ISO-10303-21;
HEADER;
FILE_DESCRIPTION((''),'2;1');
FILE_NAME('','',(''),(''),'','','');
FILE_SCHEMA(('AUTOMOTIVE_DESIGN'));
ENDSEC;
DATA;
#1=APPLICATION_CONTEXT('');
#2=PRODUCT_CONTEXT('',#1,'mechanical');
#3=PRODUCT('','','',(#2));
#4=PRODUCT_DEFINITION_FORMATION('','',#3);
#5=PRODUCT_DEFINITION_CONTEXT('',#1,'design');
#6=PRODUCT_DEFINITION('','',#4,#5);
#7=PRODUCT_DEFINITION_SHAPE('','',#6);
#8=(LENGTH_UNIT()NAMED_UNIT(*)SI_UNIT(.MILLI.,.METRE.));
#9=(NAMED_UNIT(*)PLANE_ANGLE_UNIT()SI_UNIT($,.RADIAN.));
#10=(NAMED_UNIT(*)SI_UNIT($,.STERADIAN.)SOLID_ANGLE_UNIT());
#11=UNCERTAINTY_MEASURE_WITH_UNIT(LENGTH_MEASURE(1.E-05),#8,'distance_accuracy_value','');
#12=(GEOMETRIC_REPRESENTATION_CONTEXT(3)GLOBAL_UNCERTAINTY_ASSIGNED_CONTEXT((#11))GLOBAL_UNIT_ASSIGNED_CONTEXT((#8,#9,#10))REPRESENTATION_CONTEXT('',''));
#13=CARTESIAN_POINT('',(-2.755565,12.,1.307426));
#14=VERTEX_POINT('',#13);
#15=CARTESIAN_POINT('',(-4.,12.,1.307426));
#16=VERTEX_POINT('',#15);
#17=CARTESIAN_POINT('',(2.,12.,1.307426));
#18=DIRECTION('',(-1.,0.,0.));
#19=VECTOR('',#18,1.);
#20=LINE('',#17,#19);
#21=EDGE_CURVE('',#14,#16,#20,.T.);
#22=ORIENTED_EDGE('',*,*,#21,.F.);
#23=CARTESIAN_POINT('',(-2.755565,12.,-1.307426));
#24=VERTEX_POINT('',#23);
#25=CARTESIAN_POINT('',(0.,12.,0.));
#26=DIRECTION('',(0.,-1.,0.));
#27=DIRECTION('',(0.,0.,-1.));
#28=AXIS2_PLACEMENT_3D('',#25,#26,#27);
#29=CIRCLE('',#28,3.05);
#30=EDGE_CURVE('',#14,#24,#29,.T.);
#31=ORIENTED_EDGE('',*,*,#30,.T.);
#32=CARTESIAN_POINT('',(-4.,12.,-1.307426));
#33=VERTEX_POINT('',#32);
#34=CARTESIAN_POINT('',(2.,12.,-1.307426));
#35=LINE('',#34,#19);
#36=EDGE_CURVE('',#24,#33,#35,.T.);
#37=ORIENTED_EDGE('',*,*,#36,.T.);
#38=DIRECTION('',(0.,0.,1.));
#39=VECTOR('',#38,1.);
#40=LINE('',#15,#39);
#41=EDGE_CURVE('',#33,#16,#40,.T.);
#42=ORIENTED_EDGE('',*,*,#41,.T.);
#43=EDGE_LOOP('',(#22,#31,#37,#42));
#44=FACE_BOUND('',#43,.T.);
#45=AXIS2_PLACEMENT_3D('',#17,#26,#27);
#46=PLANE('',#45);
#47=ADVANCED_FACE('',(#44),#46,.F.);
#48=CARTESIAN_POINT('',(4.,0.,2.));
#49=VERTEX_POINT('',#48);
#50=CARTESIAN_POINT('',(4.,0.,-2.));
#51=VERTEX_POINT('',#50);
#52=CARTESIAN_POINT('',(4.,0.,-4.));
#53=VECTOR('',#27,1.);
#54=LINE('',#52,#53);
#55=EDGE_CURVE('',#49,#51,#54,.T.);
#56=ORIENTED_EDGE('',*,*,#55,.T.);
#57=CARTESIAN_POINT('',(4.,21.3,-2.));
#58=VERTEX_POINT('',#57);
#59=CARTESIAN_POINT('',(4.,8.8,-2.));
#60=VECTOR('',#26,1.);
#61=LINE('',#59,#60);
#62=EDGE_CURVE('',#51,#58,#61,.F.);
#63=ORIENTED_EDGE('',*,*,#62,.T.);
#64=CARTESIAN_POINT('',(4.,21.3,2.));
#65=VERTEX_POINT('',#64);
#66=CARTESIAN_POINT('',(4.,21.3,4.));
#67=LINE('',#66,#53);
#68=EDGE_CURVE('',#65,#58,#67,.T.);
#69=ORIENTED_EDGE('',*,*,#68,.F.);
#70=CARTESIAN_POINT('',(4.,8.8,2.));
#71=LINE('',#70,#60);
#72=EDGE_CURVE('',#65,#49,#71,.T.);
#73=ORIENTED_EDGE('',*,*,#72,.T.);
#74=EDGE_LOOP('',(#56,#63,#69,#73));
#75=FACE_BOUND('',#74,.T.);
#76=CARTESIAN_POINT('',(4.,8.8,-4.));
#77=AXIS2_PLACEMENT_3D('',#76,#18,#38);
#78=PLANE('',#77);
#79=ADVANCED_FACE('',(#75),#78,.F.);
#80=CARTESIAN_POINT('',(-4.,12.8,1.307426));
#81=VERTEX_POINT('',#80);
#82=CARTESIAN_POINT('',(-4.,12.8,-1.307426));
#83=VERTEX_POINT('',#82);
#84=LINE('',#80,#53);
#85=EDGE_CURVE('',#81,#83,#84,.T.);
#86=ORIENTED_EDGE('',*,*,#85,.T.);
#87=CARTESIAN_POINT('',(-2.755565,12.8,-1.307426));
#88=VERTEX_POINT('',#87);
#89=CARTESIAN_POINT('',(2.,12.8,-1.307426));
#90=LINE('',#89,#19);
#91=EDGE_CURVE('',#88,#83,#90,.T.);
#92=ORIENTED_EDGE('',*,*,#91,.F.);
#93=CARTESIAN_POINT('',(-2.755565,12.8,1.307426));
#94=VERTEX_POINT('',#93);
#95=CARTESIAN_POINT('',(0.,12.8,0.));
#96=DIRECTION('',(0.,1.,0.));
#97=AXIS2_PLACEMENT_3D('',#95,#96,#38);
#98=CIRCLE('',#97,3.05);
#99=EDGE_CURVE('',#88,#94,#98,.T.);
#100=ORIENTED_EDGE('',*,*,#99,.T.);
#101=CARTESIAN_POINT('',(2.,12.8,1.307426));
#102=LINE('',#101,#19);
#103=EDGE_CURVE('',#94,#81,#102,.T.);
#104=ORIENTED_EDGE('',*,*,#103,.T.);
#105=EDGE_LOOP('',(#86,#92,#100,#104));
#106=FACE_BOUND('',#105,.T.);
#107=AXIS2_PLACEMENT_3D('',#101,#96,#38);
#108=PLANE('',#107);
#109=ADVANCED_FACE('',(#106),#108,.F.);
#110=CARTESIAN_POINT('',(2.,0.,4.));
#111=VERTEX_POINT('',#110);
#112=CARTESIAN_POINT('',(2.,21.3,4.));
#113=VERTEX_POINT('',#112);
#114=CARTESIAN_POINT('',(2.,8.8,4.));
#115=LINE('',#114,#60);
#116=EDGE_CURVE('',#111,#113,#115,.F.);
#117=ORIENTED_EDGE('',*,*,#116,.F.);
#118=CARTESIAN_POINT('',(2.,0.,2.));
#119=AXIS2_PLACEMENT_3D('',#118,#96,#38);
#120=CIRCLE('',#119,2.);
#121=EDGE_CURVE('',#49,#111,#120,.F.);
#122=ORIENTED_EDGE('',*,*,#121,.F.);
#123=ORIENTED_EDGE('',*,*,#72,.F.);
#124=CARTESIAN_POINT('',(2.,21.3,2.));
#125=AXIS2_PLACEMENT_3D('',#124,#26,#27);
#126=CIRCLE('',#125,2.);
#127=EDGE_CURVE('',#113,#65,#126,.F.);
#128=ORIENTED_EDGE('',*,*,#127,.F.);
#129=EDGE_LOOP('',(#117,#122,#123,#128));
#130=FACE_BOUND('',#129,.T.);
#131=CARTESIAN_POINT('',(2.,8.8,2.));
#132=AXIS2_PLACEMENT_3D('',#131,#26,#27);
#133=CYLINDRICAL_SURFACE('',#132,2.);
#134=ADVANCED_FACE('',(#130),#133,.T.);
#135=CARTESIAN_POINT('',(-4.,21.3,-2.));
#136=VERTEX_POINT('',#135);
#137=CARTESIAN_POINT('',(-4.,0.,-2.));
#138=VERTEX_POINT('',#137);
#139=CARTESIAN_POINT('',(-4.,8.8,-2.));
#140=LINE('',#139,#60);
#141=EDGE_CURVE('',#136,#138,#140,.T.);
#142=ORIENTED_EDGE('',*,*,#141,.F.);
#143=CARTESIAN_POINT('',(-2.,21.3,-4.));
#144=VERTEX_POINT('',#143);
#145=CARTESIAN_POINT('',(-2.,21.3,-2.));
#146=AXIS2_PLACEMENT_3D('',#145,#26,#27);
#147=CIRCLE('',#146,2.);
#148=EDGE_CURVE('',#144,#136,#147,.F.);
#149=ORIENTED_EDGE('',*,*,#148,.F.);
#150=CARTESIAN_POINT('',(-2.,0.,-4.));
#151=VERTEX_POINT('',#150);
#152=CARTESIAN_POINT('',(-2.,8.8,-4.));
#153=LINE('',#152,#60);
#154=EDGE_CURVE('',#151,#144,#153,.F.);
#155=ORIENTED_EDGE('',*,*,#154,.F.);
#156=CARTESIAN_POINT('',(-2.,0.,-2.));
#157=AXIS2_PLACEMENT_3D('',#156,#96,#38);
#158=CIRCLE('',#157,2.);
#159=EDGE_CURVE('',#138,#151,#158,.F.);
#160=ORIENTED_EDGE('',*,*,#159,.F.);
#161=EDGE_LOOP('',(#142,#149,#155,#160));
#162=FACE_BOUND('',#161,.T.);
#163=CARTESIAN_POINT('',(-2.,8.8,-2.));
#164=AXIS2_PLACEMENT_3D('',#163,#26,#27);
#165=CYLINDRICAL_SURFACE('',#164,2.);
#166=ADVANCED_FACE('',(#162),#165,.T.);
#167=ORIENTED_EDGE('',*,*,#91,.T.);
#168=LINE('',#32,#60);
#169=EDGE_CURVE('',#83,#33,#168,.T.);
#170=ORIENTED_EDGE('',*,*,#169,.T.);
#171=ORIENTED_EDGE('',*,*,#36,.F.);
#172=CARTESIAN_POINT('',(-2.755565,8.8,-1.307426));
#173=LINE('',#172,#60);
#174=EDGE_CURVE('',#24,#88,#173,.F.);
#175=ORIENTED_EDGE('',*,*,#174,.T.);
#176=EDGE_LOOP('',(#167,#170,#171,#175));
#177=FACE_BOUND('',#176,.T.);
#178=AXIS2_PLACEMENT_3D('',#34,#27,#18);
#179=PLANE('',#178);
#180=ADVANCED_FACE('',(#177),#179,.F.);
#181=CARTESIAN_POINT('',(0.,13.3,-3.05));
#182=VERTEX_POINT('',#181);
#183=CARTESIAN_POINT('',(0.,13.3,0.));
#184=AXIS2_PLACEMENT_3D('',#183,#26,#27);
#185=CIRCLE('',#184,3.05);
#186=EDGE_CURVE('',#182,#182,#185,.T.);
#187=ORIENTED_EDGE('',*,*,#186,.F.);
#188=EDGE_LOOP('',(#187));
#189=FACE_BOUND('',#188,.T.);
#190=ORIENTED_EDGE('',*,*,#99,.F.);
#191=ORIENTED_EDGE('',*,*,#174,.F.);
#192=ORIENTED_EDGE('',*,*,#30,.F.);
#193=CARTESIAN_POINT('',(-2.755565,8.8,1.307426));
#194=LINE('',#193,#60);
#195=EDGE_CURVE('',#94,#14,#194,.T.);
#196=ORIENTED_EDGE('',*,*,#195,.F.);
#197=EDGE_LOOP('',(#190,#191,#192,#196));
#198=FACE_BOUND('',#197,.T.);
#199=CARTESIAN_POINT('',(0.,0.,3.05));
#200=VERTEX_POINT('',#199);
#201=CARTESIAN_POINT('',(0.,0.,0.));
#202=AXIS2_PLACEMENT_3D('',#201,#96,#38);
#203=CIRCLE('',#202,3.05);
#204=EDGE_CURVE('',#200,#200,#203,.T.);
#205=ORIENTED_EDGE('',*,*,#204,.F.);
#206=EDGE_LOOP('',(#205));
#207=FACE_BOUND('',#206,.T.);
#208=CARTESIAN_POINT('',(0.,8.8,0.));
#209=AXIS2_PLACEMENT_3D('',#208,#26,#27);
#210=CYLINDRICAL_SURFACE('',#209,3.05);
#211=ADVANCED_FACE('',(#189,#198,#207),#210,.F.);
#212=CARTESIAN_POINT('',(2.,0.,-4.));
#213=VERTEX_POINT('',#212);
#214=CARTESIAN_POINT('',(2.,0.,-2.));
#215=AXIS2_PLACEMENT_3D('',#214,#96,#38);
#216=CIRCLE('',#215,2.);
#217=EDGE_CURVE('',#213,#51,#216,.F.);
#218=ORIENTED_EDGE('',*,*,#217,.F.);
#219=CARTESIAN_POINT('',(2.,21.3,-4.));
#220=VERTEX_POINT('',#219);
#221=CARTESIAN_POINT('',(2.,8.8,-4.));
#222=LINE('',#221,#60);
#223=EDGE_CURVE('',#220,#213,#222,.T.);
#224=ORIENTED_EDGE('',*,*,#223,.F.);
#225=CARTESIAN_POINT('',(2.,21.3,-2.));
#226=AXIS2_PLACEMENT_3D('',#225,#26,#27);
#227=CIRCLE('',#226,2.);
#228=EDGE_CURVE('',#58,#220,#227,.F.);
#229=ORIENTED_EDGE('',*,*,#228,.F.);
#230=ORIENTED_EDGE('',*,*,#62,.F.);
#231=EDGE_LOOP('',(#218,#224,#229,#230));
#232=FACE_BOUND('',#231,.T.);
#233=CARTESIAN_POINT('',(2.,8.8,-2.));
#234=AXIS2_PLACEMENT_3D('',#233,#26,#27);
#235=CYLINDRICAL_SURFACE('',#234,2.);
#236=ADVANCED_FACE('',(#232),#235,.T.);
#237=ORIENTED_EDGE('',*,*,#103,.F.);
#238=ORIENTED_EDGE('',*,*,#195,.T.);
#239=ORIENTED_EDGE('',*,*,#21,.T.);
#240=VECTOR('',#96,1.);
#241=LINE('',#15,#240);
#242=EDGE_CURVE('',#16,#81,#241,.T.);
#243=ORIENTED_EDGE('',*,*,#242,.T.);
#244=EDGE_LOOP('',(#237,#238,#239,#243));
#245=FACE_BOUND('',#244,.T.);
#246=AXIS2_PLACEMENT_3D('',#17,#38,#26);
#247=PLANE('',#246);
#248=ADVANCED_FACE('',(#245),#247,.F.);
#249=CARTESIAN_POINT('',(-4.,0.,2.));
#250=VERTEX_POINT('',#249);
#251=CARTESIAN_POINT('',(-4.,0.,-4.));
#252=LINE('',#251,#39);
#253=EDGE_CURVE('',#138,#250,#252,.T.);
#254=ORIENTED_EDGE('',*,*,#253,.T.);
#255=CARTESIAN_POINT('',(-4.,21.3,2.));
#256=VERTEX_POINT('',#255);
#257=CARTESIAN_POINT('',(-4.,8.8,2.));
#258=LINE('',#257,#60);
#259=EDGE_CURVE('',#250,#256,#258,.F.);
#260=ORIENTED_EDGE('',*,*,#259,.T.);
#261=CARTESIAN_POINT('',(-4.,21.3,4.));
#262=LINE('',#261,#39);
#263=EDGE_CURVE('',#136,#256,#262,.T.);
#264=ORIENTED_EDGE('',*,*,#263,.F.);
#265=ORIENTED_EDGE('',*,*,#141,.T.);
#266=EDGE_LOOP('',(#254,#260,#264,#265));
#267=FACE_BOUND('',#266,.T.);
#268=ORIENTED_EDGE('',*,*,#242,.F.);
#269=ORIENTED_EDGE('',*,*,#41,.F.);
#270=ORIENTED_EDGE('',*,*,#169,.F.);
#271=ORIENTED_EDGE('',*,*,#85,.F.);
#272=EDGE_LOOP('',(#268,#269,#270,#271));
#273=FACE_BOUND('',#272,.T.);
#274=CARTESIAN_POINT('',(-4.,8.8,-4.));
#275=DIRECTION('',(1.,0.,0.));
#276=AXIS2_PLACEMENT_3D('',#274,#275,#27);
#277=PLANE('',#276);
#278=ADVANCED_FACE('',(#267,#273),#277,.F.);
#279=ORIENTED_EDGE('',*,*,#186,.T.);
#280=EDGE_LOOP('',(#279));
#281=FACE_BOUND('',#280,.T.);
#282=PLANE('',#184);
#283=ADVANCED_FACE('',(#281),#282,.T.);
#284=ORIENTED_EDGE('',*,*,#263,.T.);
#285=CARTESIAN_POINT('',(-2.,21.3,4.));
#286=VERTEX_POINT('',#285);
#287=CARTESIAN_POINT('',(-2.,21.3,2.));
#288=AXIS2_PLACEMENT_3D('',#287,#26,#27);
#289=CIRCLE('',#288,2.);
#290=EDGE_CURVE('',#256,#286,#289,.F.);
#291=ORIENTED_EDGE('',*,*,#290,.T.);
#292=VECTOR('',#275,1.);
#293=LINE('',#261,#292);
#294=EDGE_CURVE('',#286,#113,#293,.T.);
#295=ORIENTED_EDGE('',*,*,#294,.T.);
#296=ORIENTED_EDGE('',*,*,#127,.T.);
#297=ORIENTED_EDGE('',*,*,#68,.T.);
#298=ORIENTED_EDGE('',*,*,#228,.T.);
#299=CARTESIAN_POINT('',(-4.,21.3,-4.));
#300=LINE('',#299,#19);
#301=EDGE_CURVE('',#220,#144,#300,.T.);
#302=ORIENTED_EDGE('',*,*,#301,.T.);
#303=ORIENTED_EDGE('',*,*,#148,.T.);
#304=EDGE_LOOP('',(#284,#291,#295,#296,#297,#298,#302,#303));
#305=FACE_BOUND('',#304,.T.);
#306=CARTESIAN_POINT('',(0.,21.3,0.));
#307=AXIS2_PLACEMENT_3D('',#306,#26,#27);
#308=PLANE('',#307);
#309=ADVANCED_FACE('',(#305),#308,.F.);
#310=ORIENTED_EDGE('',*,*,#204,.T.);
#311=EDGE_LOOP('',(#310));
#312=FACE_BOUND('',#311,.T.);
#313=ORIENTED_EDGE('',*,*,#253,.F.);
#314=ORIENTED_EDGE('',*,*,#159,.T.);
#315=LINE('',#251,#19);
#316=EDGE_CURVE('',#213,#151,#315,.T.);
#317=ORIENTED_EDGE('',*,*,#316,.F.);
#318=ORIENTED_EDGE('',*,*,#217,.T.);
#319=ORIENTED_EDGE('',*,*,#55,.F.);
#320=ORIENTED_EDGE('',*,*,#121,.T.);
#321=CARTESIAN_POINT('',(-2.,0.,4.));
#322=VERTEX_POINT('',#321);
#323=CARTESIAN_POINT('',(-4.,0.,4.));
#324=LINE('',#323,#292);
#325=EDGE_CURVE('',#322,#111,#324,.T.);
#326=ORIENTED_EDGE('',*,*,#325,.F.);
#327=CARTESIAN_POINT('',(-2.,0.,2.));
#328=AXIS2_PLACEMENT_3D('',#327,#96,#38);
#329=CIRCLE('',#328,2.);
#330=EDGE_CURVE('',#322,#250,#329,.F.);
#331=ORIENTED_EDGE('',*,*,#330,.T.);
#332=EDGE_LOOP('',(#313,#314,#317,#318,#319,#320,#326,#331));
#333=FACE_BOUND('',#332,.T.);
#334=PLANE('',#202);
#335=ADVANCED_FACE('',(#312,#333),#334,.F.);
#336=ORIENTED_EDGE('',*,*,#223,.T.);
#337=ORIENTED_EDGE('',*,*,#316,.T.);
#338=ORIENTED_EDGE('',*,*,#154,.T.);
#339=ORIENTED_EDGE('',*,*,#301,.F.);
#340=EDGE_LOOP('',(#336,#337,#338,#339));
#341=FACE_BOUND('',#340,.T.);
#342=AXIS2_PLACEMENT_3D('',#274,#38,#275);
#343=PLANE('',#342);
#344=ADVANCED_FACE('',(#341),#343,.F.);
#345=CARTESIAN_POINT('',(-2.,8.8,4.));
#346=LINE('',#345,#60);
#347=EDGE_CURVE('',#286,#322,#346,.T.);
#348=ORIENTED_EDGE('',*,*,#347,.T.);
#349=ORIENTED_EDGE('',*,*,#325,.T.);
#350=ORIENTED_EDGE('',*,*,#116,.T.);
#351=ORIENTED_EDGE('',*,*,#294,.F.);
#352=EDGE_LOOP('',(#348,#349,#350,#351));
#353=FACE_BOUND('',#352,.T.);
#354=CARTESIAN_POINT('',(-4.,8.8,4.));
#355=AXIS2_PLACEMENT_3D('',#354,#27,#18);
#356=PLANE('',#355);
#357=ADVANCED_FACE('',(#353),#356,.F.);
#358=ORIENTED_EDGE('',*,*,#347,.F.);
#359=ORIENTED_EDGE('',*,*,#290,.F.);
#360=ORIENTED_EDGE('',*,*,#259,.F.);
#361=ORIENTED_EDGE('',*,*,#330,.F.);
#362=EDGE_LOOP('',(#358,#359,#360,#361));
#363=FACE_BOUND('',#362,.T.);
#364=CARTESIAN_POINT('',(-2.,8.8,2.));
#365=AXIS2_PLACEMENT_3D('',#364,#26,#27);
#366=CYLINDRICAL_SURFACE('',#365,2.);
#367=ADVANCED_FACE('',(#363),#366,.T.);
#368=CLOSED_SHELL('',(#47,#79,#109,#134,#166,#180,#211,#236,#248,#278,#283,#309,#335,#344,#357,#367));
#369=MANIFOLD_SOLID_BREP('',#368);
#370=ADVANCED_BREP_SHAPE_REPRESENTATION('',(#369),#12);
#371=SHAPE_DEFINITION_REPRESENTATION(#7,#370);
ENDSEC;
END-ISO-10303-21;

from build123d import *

# Parameters (mm, degrees)
SKETCH_1_W          = 8
SKETCH_1_H          = 8
SKETCH_1_R          = 3.05
EXTRUDE_1_DEPTH     = 8.8
SKETCH_2_W          = 8
SKETCH_2_H          = 4.5
EXTRUDE_2_DEPTH     = 8.8
SKETCH_3_R          = 3.05
CUT_EXTRUDE_1_DEPTH = 11.792590051
SKETCH_4_W          = 8
SKETCH_4_H          = 0.8
CUT_EXTRUDE_2_DEPTH = 11.792590051
SKETCH_5_W          = 2.614851978
SKETCH_5_H          = 0.8
CUT_EXTRUDE_3_DEPTH = 6
SKETCH_8_W          = 8
SKETCH_8_H          = 8
EXTRUDE_3_DEPTH     = 8
FILLET_2_R          = 2


with BuildPart() as part:
    # 草圖1 → 填料-伸長1 (new body)
    with BuildSketch(Plane(origin=(0, 0, 0), x_dir=(1, 0, 0), z_dir=(0, 1, 0))):
        Rectangle(SKETCH_1_W, SKETCH_1_H)
        with Locations(Location((0, 0, 0), (0, 0, 270))):
            Circle(SKETCH_1_R, mode=Mode.SUBTRACT)
    extrude(amount=EXTRUDE_1_DEPTH)

    # 草圖2 → 填料-伸長2 (add)
    with BuildSketch(Plane(origin=(0, 0, -4), x_dir=(-1, 0, 0), z_dir=(0, 0, -1))):
        with Locations((0, 11.05)):
            Rectangle(SKETCH_2_W, SKETCH_2_H)
    extrude(amount=-EXTRUDE_2_DEPTH)

    # 草圖3 → 除料-伸長1 (cut, through all)
    with BuildSketch(Plane.XZ.offset(-8.8)):
        with Locations(Location((0, 0, 0), (0, 0, 270))):
            Circle(SKETCH_3_R)
    extrude(amount=-CUT_EXTRUDE_1_DEPTH, mode=Mode.SUBTRACT)

    # 草圖4 → 除料-伸長2 (cut, through all)
    with BuildSketch(Plane.XZ.offset(-8.8)):
        with Locations((0, 4.4)):
            Rectangle(SKETCH_4_W, SKETCH_4_H)
    extrude(amount=-CUT_EXTRUDE_2_DEPTH, mode=Mode.SUBTRACT)

    # 草圖5 → 除料-伸長3 (cut)
    with BuildSketch(Plane.ZY.offset(4)):
        with Locations((0, 12.4)):
            Rectangle(SKETCH_5_W, SKETCH_5_H)
    extrude(amount=-CUT_EXTRUDE_3_DEPTH, mode=Mode.SUBTRACT)

    # 草圖8 → 填料-伸長3 (add)
    with BuildSketch(Plane(origin=(0, 13.3, 0), x_dir=(1, 0, 0), z_dir=(0, 1, 0))):
        Rectangle(SKETCH_8_W, SKETCH_8_H)
    extrude(amount=EXTRUDE_3_DEPTH)

    # 圓角2
    fillet_2_edges = [part.edges().sort_by_distance(p)[0] for p in [
        (4, 10.65, 4),
        (-4, 10.65, 4),
        (-4, 10.65, -4),
        (4, 10.65, -4),
    ]]
    fillet(fillet_2_edges, radius=FILLET_2_R)


solid = part.part
